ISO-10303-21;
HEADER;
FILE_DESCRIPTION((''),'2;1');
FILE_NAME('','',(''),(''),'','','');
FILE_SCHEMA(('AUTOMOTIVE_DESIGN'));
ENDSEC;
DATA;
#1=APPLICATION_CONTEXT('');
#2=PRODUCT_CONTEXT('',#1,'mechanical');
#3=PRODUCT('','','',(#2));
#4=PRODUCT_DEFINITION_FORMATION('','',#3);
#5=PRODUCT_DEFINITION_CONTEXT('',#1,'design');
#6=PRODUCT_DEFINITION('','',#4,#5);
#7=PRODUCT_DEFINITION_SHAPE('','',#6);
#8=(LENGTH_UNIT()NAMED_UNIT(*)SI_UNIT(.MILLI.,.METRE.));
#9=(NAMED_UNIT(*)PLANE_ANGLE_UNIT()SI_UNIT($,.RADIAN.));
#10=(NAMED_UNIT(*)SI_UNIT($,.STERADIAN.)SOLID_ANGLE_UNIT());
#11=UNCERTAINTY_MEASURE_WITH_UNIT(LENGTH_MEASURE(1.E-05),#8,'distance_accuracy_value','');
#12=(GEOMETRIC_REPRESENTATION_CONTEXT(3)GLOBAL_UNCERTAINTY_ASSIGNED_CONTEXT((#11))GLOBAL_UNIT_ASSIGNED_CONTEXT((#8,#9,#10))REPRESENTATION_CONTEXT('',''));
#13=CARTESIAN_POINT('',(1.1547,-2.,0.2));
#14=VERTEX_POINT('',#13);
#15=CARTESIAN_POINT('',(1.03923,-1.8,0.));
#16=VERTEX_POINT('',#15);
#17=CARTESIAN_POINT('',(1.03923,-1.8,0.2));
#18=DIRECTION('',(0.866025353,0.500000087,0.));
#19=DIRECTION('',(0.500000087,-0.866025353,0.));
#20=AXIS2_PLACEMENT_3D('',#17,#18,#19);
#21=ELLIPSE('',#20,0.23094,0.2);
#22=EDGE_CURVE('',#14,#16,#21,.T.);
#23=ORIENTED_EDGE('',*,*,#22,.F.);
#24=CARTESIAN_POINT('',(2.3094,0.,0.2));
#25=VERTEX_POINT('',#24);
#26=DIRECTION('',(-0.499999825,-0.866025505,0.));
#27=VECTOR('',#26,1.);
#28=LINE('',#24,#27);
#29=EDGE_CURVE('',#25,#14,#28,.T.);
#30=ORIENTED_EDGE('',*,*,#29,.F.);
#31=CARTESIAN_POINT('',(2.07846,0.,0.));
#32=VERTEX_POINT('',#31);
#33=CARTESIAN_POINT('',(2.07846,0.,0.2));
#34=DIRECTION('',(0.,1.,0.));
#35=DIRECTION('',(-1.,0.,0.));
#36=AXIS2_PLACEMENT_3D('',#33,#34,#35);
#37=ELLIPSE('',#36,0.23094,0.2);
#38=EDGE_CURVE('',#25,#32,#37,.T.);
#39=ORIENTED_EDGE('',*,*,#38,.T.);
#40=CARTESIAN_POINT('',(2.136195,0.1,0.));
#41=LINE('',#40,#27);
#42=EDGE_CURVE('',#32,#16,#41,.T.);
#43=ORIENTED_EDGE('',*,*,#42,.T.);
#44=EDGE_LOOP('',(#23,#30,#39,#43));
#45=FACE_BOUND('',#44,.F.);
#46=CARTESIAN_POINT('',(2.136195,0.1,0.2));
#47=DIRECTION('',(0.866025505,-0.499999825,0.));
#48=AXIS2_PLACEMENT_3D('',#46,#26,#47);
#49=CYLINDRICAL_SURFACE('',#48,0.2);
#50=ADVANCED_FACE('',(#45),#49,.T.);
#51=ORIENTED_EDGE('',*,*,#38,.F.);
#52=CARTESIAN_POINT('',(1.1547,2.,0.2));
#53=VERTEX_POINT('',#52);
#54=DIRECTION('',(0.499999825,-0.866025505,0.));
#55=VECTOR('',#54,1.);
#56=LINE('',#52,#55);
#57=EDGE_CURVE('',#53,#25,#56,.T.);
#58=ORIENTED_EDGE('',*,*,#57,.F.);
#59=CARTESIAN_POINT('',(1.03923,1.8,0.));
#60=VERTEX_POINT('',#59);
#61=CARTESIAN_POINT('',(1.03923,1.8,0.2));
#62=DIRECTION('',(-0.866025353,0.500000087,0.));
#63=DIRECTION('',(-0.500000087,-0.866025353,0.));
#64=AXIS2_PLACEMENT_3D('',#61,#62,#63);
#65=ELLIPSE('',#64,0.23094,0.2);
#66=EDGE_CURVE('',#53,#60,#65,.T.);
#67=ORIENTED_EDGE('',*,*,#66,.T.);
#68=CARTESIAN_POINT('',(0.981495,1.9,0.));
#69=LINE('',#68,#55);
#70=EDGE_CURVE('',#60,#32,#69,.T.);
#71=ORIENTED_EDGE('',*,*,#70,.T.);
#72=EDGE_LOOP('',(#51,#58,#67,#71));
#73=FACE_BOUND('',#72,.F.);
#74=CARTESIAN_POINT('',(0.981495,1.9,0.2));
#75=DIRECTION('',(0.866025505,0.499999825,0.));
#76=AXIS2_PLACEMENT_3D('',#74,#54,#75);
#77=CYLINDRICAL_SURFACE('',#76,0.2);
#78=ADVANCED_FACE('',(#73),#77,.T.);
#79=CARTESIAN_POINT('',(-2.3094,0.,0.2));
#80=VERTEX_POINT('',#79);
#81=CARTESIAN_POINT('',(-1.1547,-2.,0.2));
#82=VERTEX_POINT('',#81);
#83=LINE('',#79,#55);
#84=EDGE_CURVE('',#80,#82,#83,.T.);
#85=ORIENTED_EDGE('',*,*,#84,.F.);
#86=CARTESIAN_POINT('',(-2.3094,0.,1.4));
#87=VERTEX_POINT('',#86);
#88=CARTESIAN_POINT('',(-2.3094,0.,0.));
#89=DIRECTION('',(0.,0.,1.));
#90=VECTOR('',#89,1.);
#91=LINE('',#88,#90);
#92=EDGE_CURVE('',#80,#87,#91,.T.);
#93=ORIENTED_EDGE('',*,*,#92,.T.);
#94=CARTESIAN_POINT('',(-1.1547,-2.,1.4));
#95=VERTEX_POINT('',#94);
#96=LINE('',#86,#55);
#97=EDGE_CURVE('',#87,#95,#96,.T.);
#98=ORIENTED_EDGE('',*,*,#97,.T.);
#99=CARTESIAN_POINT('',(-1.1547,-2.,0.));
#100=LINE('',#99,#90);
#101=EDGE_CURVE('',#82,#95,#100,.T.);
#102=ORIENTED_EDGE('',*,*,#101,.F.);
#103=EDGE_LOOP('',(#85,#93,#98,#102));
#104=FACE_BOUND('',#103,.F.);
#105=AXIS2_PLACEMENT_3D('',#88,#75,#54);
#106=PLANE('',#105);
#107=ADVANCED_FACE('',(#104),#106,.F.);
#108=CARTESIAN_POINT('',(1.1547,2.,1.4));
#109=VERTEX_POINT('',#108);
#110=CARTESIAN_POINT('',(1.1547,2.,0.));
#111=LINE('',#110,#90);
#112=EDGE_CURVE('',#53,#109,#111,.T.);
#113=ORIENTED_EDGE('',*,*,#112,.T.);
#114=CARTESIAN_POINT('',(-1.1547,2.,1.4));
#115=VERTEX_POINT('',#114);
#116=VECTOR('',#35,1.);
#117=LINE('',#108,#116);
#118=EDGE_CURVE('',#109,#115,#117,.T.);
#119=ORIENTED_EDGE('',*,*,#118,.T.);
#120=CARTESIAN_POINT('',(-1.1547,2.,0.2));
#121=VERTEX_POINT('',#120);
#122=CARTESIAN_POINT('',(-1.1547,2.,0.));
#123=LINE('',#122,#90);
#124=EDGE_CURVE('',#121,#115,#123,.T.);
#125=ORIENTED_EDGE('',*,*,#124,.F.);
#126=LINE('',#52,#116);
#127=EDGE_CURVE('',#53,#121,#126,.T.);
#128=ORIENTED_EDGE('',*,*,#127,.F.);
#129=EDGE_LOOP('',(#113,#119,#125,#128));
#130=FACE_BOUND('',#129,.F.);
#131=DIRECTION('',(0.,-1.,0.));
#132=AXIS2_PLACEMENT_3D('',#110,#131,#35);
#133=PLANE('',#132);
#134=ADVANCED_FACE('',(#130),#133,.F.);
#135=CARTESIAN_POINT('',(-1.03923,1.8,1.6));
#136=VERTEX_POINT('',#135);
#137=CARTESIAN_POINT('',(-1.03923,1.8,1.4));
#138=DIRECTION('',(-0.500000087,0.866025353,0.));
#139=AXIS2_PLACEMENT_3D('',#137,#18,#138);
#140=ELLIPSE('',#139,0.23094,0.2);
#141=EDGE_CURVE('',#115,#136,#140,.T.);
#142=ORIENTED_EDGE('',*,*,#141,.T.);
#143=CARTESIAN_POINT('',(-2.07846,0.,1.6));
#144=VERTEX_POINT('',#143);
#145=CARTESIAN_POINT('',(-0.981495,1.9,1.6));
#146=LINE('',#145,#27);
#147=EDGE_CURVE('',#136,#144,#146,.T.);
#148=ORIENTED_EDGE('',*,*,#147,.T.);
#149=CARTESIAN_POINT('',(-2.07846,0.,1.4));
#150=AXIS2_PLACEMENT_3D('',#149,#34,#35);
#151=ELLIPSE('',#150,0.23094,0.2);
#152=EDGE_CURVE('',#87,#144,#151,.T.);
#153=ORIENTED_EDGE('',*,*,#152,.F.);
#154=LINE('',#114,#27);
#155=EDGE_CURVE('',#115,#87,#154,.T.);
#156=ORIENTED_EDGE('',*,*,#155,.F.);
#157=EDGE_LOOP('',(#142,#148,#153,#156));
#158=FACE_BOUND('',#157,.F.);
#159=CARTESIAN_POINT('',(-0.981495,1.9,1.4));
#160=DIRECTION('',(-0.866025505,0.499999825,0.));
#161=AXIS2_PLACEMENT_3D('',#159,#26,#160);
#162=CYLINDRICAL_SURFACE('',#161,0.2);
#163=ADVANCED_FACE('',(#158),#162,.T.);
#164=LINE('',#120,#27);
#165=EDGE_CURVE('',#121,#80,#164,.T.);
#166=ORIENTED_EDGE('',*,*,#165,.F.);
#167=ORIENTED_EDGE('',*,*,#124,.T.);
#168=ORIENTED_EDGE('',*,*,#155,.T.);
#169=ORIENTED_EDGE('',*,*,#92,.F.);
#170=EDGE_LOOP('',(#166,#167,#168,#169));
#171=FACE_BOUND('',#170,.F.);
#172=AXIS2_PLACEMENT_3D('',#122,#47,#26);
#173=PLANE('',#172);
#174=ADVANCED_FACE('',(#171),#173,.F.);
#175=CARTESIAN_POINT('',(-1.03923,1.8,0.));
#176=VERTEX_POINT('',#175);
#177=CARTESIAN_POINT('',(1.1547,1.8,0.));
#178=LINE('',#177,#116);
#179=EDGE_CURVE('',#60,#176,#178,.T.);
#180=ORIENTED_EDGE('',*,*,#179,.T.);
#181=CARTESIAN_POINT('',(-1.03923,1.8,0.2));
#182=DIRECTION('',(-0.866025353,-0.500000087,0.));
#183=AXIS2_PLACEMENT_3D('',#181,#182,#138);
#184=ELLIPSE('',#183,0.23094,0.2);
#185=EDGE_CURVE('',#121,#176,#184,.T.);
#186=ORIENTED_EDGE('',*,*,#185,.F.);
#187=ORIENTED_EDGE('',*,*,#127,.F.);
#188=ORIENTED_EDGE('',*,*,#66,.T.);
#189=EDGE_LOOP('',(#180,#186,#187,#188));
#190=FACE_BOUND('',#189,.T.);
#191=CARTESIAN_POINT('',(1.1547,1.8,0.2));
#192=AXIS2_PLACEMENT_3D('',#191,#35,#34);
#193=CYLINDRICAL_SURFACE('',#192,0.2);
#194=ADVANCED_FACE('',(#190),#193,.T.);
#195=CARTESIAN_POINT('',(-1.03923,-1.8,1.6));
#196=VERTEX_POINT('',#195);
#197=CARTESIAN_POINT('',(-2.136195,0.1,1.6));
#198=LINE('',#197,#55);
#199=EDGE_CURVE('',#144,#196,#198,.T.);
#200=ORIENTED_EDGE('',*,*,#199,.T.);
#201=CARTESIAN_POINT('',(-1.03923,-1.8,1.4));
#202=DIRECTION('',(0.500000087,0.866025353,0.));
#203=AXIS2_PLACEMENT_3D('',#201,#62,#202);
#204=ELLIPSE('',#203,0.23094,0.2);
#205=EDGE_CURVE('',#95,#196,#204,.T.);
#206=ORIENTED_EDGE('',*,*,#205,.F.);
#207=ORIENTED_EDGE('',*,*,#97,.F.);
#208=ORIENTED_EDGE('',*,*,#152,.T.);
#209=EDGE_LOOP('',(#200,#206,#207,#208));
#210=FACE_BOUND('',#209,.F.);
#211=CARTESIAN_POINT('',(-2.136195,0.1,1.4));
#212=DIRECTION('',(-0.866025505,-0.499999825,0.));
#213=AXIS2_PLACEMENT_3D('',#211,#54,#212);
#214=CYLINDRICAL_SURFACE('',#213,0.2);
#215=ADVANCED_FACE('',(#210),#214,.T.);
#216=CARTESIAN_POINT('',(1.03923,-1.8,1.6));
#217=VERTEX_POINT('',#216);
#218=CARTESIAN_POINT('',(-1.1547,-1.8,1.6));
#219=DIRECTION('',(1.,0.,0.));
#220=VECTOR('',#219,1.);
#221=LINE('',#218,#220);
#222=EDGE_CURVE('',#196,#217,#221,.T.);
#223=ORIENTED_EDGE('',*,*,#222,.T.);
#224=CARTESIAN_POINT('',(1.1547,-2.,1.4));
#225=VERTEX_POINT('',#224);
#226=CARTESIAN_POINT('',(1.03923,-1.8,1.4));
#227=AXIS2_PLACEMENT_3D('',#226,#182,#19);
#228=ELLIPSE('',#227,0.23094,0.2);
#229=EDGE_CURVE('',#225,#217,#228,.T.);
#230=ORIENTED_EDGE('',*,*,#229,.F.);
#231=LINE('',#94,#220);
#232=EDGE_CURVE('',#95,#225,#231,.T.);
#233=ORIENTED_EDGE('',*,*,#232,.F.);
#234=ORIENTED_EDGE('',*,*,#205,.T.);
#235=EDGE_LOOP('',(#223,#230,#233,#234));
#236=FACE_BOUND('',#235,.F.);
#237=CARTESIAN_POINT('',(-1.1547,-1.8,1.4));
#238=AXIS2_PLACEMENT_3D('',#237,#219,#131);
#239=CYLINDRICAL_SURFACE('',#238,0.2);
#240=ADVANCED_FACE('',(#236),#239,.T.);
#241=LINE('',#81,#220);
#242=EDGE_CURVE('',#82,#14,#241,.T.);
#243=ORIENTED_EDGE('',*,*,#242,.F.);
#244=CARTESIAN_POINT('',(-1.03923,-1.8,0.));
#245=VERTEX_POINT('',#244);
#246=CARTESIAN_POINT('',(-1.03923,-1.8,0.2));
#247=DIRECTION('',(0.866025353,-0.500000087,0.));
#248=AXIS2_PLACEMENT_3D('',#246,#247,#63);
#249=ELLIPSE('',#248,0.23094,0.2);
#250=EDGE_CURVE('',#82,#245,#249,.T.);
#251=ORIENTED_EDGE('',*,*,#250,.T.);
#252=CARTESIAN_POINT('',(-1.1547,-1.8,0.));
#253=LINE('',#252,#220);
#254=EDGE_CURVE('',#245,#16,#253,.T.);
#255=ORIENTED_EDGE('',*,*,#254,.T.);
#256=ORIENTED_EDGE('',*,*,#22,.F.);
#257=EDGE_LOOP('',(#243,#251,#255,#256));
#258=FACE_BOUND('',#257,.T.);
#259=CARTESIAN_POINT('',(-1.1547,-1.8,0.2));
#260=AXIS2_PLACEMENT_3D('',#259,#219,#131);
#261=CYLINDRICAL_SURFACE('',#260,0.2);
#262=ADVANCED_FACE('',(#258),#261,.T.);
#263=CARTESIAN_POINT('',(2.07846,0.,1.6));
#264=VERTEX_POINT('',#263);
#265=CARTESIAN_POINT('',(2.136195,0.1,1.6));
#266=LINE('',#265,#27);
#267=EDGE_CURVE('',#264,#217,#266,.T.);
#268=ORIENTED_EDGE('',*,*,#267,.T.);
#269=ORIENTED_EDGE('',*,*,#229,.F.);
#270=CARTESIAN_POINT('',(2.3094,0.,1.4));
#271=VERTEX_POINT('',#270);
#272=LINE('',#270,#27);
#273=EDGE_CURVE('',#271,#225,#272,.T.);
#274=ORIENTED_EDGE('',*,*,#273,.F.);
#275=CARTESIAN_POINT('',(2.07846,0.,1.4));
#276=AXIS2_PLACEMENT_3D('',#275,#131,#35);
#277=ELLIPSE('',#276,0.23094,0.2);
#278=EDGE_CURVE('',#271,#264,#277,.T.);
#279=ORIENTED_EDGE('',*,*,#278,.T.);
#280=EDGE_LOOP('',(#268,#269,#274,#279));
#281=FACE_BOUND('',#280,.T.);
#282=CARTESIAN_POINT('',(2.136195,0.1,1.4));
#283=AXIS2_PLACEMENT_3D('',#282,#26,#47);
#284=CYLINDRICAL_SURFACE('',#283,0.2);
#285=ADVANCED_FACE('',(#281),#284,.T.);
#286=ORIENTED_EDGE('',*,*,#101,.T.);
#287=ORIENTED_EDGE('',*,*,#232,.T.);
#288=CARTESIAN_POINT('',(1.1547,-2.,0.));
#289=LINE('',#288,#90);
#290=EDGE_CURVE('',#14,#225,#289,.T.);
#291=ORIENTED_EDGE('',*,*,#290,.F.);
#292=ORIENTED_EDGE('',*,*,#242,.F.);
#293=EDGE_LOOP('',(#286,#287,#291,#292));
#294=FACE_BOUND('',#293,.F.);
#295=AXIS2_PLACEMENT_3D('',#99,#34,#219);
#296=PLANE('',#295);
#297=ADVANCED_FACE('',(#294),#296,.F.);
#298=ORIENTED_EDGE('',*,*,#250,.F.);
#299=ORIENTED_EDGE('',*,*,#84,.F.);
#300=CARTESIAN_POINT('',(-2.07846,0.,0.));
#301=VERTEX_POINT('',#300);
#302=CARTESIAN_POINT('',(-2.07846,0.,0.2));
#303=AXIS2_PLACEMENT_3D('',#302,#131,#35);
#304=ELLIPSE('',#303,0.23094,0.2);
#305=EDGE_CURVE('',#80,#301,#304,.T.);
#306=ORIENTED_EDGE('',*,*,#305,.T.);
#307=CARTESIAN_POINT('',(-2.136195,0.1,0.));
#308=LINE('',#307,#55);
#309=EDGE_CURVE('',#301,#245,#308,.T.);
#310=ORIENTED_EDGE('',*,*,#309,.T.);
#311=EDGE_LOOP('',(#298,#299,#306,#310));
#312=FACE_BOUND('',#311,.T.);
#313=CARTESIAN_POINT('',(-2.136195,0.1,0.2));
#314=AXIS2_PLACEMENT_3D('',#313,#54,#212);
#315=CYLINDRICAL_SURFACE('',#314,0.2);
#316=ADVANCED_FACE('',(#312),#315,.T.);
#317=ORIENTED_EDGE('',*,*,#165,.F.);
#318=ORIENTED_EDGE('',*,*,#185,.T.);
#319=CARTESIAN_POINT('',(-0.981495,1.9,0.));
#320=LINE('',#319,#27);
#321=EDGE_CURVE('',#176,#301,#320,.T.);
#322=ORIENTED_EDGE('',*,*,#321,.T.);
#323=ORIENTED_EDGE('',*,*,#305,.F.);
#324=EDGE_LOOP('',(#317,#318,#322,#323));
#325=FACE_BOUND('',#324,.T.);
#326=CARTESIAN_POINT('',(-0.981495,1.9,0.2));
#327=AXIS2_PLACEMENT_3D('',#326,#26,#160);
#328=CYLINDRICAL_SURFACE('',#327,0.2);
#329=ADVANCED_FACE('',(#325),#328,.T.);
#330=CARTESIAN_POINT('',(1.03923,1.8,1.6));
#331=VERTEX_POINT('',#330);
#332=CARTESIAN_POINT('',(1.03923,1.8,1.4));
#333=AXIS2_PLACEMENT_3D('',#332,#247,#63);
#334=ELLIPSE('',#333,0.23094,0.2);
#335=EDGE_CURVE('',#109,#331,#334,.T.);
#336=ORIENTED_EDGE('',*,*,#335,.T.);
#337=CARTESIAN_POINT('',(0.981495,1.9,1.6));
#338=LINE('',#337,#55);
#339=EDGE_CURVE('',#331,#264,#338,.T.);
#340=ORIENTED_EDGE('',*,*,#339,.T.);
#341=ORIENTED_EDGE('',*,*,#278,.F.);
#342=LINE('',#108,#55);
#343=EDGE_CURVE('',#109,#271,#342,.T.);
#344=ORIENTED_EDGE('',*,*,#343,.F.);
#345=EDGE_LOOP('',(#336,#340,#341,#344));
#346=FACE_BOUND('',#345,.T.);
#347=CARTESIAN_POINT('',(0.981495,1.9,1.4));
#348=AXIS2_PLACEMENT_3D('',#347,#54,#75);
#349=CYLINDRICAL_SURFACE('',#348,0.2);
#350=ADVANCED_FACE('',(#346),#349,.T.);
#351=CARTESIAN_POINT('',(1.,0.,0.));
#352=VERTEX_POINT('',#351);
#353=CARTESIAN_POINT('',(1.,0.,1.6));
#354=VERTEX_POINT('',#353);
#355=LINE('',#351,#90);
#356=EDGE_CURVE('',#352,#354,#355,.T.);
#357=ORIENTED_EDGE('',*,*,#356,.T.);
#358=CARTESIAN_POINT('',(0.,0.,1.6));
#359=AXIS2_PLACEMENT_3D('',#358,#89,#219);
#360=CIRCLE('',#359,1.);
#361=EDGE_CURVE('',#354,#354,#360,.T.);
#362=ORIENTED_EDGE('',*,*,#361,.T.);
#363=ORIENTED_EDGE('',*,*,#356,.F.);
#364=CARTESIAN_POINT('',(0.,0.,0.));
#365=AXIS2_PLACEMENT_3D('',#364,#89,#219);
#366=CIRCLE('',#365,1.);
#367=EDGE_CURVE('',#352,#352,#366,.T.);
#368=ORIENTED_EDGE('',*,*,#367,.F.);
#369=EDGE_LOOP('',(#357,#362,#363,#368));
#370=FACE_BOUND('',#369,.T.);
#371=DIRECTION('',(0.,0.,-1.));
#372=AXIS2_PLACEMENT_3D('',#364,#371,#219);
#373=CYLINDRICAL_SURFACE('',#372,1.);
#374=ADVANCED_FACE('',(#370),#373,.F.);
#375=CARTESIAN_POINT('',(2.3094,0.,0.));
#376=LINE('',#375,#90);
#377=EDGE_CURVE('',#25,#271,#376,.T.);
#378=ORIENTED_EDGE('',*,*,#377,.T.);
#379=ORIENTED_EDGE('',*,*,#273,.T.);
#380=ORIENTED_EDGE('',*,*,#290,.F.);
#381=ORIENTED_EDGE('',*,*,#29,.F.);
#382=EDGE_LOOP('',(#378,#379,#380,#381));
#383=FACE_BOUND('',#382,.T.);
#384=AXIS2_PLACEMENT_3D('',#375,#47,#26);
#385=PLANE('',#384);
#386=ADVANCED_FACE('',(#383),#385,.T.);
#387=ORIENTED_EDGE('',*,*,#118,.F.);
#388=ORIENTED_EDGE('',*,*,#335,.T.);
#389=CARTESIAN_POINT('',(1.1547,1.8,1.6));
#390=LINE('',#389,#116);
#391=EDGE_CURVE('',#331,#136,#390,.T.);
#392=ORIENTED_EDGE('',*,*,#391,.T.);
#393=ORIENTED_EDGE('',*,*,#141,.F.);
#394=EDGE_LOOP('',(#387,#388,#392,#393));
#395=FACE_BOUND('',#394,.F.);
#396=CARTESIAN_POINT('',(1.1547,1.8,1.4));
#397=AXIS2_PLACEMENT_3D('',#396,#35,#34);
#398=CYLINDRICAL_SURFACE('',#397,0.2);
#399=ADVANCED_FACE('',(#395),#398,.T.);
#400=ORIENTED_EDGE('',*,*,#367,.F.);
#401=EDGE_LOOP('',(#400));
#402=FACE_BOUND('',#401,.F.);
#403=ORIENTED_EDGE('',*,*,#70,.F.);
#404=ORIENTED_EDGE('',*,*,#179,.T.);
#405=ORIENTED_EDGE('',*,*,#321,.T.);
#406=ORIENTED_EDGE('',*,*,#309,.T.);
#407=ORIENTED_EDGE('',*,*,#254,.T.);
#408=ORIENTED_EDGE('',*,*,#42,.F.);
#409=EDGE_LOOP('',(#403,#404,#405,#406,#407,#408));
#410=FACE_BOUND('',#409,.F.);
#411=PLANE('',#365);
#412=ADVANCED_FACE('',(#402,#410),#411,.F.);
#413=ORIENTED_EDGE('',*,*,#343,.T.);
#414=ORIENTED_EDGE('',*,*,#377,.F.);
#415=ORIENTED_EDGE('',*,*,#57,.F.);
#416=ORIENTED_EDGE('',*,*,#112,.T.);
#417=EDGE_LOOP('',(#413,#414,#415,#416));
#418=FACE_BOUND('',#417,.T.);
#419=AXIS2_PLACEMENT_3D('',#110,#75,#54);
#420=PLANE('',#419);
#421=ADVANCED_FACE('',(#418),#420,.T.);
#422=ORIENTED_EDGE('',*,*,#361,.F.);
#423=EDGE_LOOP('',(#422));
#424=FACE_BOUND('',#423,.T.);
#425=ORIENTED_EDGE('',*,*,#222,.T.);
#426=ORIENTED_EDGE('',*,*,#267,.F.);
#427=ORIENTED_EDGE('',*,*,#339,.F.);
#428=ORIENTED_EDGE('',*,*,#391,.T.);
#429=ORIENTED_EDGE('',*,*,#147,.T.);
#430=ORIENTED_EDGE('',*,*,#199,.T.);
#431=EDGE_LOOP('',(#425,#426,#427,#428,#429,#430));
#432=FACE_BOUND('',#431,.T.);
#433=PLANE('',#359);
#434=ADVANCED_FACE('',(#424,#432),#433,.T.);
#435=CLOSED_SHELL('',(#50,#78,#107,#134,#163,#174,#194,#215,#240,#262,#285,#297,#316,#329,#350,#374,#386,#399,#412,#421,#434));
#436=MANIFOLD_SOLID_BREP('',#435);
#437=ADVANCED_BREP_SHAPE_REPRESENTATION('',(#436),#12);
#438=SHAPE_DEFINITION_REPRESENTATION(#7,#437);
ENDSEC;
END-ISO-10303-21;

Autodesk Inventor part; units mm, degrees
ref_plane "YZ Plane" through (0, 0, 0) normal (1, 0, 0) x (0, 1, 0)
ref_plane "XZ Plane" through (0, 0, 0) normal (0, 1, 0) x (-1, 0, 0)
ref_plane "XY Plane" through (0, 0, 0) normal (0, 0, 1) x (1, 0, 0)
sketch "Sketch1" plane through (0, 0, 0) normal (0, 0, 1) x (1, 0, 0)
  circle A0 centre (0, 0) radius 1
  line L0 (-1.1547, -2) -> (1.1547, -2)
  line L1 (1.1547, 2) -> (-1.1547, 2)
  line L2 (1.1547, 2) -> (2.3094, 0)
  line L3 (2.3094, 0) -> (1.1547, -2)
  line L4 (-1.1547, 2) -> (-2.3094, 0)
  line L5 (-2.3094, 0) -> (-1.1547, -2)
  dimension "d0" = 2
  dimension "d5" = 120
extrude "Extrusion1" add sketch "Sketch1" along normal blind 1.6
fillet "Fillet1" radius 0.2 12 edges at (0, -2, 1.6) (1.7321, -1, 1.6) (1.7321, 1, 1.6) (0, 2, 1.6) (-1.7321, 1, 1.6) (-1.7321, -1, 1.6) (0, 2, 0) (-1.7321, 1, 0) (-1.7321, -1, 0) (0, -2, 0) (1.7321, -1, 0) (1.7321, 1, 0)
properties part number "m2 nut"
